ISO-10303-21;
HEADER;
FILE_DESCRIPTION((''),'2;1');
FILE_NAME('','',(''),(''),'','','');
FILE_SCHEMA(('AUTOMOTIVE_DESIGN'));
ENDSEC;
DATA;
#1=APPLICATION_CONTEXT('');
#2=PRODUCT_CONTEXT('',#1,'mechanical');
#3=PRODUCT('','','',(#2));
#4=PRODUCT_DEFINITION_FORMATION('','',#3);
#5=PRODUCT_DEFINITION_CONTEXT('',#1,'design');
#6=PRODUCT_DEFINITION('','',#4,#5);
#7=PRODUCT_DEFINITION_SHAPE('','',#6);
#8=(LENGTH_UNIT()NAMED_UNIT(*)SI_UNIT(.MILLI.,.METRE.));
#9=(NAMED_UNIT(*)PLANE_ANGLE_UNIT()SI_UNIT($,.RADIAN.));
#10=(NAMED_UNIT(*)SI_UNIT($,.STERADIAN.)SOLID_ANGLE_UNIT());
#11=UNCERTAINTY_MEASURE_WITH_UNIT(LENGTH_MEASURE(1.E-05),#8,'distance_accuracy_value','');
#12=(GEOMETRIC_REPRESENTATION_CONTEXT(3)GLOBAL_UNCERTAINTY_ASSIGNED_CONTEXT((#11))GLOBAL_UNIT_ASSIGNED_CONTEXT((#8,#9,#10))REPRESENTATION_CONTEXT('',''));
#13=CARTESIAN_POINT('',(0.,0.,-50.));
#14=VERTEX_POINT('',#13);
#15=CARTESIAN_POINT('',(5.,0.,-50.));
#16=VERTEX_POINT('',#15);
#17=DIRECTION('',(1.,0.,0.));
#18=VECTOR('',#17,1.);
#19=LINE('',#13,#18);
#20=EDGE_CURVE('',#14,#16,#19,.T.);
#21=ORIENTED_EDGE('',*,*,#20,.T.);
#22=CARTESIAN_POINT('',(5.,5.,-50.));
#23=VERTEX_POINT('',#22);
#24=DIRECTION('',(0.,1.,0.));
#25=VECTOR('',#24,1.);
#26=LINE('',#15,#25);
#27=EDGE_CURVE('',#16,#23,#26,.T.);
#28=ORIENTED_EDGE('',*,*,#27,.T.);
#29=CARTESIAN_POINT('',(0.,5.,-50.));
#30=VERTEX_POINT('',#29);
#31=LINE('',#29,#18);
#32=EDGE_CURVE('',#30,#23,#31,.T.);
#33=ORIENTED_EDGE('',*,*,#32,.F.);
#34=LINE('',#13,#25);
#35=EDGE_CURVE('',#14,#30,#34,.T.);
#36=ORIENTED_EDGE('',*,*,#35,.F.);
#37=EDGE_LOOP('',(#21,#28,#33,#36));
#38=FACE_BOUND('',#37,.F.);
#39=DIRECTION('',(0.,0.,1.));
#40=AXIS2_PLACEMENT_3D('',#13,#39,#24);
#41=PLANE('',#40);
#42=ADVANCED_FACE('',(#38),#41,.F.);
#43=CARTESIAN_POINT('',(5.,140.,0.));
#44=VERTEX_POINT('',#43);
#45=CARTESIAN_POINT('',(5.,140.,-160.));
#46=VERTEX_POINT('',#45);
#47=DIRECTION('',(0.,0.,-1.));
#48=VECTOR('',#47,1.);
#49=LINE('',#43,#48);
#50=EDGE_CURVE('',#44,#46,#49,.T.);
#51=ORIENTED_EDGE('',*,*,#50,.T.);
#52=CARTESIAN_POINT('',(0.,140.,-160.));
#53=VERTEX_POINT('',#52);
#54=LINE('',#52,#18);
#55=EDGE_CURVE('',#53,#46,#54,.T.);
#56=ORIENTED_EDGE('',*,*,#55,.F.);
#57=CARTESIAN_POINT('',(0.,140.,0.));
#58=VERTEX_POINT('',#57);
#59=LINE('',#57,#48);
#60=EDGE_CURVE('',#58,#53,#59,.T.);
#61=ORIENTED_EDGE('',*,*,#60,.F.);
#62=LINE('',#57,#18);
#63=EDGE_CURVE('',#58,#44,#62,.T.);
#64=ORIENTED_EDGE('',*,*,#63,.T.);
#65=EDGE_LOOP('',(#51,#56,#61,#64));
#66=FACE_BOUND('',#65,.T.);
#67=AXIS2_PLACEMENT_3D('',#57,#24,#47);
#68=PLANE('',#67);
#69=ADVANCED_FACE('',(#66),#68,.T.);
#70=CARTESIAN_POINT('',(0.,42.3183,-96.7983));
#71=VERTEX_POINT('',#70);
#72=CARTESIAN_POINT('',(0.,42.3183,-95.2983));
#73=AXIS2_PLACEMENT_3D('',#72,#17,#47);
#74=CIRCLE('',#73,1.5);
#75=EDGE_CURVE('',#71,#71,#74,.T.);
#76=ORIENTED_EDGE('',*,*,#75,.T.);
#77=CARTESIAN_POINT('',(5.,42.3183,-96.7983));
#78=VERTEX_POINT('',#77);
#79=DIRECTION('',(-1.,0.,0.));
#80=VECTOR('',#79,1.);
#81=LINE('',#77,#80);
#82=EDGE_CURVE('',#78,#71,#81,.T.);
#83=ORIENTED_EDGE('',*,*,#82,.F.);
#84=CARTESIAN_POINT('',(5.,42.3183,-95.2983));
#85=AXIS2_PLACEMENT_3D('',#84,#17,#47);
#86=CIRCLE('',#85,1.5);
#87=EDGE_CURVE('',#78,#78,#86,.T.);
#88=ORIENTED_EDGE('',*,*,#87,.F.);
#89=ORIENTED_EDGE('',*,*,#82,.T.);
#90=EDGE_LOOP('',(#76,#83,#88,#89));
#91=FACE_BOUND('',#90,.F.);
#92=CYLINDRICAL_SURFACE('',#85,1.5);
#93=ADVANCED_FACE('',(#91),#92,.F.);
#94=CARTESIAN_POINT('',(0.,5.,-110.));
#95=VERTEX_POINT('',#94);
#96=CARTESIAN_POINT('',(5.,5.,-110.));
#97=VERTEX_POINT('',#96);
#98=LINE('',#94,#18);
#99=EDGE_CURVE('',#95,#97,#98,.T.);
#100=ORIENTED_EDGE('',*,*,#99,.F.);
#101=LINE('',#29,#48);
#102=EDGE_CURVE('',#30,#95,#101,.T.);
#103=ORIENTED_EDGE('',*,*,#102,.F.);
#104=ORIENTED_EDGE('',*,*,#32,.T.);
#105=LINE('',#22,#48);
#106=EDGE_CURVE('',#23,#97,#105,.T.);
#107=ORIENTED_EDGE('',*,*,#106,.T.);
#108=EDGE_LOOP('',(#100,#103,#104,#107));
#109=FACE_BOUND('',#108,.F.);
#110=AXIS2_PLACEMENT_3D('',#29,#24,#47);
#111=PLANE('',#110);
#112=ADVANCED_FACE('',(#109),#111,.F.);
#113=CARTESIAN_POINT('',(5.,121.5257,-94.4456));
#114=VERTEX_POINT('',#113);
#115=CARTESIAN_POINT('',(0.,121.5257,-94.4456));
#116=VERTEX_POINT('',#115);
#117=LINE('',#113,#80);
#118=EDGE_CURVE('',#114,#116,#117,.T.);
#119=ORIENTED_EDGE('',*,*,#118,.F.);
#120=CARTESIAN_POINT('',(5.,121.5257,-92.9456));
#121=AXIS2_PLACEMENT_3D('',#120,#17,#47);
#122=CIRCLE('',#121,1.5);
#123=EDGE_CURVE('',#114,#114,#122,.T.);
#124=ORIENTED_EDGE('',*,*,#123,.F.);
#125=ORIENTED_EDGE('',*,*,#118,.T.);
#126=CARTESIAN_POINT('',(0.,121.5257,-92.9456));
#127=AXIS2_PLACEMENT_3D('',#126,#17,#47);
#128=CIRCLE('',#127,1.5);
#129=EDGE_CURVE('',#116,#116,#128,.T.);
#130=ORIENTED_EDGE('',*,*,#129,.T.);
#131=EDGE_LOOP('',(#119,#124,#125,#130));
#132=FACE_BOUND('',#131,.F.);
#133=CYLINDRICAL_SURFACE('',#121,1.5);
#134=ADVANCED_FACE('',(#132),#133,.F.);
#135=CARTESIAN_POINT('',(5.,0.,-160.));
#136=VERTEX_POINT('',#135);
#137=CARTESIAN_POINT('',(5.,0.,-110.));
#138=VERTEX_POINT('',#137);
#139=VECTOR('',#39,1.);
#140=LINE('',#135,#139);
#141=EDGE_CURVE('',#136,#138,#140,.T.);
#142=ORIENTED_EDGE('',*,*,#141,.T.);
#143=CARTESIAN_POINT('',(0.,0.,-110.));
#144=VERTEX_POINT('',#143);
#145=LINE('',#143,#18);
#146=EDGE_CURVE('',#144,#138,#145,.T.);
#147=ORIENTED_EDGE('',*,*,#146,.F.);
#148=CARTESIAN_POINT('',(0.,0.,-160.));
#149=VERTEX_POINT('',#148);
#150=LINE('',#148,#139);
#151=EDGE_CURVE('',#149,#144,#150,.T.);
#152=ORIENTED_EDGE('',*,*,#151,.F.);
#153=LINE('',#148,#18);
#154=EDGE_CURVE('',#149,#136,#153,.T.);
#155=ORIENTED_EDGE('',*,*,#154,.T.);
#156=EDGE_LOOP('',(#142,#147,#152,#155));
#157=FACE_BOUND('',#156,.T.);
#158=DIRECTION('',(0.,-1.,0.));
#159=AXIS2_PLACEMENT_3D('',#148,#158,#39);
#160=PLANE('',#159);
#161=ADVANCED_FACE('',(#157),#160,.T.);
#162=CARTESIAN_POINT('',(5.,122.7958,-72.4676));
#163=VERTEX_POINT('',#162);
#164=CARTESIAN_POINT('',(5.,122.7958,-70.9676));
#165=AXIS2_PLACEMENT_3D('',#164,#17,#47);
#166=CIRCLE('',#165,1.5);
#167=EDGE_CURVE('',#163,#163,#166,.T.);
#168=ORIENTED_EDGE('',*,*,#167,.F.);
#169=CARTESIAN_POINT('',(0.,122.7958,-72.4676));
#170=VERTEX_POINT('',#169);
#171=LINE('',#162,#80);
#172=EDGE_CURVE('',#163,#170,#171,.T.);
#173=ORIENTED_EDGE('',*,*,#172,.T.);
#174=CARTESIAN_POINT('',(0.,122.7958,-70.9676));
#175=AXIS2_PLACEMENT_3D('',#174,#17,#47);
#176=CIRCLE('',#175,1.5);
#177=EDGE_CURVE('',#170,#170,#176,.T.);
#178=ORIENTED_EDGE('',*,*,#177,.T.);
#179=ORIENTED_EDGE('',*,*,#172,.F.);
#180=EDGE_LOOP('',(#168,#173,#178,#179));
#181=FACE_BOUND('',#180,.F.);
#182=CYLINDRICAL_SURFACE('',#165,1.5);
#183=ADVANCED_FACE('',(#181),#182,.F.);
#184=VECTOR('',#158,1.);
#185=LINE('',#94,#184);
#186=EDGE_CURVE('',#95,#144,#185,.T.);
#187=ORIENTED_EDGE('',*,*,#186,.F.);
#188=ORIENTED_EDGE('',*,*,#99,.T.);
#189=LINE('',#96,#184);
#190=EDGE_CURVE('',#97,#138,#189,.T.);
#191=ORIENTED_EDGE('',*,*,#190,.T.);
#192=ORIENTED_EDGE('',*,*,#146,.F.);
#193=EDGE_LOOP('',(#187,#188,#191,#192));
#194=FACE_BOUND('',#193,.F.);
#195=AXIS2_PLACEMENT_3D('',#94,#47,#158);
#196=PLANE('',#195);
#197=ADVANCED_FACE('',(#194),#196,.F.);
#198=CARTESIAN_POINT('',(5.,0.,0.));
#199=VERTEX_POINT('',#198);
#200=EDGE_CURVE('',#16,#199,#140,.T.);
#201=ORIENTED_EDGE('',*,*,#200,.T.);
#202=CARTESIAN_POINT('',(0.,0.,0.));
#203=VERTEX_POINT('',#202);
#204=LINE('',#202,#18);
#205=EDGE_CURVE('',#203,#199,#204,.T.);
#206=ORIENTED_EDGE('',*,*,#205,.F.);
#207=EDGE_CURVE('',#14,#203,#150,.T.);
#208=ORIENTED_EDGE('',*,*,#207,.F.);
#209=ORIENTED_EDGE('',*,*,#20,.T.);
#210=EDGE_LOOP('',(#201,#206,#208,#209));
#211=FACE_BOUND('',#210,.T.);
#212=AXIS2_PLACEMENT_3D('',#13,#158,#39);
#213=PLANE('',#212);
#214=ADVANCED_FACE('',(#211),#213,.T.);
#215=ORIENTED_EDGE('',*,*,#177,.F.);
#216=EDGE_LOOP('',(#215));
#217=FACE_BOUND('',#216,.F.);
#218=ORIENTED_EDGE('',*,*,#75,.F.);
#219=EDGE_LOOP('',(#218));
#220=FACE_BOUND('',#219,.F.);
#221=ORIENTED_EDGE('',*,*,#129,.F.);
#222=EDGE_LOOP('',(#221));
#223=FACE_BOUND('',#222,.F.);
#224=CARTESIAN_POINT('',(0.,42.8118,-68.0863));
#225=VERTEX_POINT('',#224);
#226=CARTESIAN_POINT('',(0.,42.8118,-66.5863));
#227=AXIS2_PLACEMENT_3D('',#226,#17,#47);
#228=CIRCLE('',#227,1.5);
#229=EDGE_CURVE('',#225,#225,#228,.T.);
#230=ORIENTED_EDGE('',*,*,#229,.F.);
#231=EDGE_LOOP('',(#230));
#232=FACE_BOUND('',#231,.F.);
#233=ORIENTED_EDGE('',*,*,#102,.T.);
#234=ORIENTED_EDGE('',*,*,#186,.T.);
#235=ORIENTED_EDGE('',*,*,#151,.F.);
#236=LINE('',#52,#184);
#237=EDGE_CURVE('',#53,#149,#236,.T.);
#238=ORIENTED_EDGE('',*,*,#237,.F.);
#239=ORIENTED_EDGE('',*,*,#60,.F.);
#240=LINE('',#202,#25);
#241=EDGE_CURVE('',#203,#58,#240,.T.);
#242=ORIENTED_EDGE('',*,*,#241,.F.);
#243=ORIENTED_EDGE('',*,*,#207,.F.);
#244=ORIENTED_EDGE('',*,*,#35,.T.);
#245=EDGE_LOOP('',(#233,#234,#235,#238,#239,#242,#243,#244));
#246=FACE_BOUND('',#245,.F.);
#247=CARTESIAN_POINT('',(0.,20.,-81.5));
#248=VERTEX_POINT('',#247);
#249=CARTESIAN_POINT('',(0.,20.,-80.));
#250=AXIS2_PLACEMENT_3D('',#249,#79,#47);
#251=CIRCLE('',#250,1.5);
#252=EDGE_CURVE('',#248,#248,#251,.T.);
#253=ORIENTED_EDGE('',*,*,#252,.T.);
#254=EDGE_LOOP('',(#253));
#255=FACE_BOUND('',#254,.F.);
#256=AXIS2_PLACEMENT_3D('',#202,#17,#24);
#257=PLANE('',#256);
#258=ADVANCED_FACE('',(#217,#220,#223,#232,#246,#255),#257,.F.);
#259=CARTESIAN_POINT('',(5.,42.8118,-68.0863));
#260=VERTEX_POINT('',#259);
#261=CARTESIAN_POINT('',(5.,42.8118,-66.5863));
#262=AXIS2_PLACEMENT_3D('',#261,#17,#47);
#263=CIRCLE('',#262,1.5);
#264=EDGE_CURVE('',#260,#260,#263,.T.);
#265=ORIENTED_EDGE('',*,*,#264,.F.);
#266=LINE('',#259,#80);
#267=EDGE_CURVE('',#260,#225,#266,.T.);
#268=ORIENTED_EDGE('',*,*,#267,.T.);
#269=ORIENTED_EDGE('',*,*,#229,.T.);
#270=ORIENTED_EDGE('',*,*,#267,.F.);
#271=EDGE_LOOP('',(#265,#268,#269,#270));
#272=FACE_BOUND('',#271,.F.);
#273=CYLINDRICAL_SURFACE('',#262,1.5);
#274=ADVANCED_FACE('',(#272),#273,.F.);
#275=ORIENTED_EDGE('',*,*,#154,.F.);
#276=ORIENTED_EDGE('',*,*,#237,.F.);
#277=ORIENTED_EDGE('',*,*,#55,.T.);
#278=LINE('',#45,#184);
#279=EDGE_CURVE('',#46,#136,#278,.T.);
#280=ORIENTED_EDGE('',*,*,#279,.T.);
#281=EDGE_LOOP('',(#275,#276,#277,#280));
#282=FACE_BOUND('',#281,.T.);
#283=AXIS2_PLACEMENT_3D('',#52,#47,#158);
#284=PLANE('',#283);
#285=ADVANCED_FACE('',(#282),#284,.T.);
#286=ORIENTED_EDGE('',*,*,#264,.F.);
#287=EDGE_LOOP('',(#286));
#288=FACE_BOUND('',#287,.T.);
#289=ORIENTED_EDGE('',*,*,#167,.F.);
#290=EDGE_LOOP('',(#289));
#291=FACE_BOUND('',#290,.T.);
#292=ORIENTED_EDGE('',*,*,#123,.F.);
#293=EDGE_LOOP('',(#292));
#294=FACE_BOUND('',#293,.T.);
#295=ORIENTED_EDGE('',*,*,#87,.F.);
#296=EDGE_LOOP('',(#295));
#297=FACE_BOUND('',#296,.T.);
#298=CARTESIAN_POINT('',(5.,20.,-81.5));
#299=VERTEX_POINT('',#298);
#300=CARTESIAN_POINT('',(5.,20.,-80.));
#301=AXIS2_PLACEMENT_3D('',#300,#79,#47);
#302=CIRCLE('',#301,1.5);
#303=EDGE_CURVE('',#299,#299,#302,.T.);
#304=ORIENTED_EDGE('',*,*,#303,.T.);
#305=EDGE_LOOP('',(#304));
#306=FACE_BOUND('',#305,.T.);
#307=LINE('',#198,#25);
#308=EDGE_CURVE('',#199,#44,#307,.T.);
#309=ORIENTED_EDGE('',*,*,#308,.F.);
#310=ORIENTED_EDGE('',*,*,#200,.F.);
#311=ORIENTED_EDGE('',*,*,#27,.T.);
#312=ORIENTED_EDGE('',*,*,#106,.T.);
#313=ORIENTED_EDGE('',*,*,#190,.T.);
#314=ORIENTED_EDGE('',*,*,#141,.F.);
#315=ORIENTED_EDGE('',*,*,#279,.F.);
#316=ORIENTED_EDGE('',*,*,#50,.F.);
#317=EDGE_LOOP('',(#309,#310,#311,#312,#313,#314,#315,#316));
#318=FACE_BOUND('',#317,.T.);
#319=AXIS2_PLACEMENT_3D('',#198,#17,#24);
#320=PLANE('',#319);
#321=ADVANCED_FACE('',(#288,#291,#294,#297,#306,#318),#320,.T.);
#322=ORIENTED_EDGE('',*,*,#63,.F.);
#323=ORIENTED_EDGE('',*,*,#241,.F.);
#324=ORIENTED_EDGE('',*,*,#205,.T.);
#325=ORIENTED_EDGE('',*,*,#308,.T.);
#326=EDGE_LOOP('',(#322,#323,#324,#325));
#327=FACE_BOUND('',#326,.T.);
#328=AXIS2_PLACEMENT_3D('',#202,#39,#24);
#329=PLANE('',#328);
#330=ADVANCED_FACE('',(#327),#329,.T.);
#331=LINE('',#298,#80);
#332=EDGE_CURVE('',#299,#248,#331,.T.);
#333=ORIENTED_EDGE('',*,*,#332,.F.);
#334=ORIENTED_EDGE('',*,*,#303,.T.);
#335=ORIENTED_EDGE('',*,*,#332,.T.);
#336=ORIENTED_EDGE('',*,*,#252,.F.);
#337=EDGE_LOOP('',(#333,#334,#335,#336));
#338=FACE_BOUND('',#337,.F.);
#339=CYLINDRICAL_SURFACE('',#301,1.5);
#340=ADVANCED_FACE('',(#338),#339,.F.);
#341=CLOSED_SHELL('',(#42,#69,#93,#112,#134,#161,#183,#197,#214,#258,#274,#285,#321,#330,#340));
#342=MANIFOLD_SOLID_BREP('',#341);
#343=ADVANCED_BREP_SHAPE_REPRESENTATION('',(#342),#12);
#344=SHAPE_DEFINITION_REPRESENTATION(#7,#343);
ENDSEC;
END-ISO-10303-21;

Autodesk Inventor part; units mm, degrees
ref_plane "YZ Plane" through (0, 0, 0) normal (1, 0, 0) x (0, 1, 0)
ref_plane "XZ Plane" through (0, 0, 0) normal (0, 1, 0) x (-1, 0, 0)
ref_plane "XY Plane" through (0, 0, 0) normal (0, 0, 1) x (1, 0, 0)
sketch "Sketch1" plane through (0, 0, 0) normal (1, 0, 0) x (0, 1, 0)
  line L0 (0, 0) -> (140, 0)
  line L1 (140, 0) -> (140, -160)
  line L2 (140, -160) -> (0, -160)
  line L3 (0, -160) -> (0, 0)
  line L4 (0, -50) -> (5, -50)
  line L5 (5, -50) -> (5, -110)
  line L6 (5, -110) -> (0, -110)
  line L7 (0, -110) -> (0, -50)
  point P0 (0, -110)
  dimension "d0" = 140
  dimension "d1" = 160
  dimension "d2" = 5
  dimension "d3" = 60
  dimension "d4" = 50
extrude "Extrusion1" add sketch "Sketch1" along normal blind 5 contours L0 L1 L2 L3 L6 L5 L4
sketch "Sketch2" plane through (5, 0, 0) normal (1, 0, 0) x (0, 0, -1)
  line L0 (0, 0) -> (50, 0) projected
  line L1 (50, 0) -> (50, 5) projected
  point P0 (80, 20)
  dimension "d14" = 20
  dimension "d15" = 30
hole "Hole1" at (5, 20, -80) direction (-1, 0, 0) diameter 3 end through all
sketch "Sketch12" plane through (5, 0, 0) normal (1, 0, 0) x (0, 0, -1)
  circle A0 centre (95.2983, 42.3183) radius 1.5 projected
  circle A1 centre (92.9456, 121.5257) radius 1.5 projected
  circle A2 centre (70.9676, 122.7958) radius 1.5 projected
  circle A3 centre (66.5863, 42.8118) radius 1.5 projected
  point P0 (0, 0)
extrude "Extrusion5" cut sketch "Sketch12" against normal through all
properties part number "TOP_1"
